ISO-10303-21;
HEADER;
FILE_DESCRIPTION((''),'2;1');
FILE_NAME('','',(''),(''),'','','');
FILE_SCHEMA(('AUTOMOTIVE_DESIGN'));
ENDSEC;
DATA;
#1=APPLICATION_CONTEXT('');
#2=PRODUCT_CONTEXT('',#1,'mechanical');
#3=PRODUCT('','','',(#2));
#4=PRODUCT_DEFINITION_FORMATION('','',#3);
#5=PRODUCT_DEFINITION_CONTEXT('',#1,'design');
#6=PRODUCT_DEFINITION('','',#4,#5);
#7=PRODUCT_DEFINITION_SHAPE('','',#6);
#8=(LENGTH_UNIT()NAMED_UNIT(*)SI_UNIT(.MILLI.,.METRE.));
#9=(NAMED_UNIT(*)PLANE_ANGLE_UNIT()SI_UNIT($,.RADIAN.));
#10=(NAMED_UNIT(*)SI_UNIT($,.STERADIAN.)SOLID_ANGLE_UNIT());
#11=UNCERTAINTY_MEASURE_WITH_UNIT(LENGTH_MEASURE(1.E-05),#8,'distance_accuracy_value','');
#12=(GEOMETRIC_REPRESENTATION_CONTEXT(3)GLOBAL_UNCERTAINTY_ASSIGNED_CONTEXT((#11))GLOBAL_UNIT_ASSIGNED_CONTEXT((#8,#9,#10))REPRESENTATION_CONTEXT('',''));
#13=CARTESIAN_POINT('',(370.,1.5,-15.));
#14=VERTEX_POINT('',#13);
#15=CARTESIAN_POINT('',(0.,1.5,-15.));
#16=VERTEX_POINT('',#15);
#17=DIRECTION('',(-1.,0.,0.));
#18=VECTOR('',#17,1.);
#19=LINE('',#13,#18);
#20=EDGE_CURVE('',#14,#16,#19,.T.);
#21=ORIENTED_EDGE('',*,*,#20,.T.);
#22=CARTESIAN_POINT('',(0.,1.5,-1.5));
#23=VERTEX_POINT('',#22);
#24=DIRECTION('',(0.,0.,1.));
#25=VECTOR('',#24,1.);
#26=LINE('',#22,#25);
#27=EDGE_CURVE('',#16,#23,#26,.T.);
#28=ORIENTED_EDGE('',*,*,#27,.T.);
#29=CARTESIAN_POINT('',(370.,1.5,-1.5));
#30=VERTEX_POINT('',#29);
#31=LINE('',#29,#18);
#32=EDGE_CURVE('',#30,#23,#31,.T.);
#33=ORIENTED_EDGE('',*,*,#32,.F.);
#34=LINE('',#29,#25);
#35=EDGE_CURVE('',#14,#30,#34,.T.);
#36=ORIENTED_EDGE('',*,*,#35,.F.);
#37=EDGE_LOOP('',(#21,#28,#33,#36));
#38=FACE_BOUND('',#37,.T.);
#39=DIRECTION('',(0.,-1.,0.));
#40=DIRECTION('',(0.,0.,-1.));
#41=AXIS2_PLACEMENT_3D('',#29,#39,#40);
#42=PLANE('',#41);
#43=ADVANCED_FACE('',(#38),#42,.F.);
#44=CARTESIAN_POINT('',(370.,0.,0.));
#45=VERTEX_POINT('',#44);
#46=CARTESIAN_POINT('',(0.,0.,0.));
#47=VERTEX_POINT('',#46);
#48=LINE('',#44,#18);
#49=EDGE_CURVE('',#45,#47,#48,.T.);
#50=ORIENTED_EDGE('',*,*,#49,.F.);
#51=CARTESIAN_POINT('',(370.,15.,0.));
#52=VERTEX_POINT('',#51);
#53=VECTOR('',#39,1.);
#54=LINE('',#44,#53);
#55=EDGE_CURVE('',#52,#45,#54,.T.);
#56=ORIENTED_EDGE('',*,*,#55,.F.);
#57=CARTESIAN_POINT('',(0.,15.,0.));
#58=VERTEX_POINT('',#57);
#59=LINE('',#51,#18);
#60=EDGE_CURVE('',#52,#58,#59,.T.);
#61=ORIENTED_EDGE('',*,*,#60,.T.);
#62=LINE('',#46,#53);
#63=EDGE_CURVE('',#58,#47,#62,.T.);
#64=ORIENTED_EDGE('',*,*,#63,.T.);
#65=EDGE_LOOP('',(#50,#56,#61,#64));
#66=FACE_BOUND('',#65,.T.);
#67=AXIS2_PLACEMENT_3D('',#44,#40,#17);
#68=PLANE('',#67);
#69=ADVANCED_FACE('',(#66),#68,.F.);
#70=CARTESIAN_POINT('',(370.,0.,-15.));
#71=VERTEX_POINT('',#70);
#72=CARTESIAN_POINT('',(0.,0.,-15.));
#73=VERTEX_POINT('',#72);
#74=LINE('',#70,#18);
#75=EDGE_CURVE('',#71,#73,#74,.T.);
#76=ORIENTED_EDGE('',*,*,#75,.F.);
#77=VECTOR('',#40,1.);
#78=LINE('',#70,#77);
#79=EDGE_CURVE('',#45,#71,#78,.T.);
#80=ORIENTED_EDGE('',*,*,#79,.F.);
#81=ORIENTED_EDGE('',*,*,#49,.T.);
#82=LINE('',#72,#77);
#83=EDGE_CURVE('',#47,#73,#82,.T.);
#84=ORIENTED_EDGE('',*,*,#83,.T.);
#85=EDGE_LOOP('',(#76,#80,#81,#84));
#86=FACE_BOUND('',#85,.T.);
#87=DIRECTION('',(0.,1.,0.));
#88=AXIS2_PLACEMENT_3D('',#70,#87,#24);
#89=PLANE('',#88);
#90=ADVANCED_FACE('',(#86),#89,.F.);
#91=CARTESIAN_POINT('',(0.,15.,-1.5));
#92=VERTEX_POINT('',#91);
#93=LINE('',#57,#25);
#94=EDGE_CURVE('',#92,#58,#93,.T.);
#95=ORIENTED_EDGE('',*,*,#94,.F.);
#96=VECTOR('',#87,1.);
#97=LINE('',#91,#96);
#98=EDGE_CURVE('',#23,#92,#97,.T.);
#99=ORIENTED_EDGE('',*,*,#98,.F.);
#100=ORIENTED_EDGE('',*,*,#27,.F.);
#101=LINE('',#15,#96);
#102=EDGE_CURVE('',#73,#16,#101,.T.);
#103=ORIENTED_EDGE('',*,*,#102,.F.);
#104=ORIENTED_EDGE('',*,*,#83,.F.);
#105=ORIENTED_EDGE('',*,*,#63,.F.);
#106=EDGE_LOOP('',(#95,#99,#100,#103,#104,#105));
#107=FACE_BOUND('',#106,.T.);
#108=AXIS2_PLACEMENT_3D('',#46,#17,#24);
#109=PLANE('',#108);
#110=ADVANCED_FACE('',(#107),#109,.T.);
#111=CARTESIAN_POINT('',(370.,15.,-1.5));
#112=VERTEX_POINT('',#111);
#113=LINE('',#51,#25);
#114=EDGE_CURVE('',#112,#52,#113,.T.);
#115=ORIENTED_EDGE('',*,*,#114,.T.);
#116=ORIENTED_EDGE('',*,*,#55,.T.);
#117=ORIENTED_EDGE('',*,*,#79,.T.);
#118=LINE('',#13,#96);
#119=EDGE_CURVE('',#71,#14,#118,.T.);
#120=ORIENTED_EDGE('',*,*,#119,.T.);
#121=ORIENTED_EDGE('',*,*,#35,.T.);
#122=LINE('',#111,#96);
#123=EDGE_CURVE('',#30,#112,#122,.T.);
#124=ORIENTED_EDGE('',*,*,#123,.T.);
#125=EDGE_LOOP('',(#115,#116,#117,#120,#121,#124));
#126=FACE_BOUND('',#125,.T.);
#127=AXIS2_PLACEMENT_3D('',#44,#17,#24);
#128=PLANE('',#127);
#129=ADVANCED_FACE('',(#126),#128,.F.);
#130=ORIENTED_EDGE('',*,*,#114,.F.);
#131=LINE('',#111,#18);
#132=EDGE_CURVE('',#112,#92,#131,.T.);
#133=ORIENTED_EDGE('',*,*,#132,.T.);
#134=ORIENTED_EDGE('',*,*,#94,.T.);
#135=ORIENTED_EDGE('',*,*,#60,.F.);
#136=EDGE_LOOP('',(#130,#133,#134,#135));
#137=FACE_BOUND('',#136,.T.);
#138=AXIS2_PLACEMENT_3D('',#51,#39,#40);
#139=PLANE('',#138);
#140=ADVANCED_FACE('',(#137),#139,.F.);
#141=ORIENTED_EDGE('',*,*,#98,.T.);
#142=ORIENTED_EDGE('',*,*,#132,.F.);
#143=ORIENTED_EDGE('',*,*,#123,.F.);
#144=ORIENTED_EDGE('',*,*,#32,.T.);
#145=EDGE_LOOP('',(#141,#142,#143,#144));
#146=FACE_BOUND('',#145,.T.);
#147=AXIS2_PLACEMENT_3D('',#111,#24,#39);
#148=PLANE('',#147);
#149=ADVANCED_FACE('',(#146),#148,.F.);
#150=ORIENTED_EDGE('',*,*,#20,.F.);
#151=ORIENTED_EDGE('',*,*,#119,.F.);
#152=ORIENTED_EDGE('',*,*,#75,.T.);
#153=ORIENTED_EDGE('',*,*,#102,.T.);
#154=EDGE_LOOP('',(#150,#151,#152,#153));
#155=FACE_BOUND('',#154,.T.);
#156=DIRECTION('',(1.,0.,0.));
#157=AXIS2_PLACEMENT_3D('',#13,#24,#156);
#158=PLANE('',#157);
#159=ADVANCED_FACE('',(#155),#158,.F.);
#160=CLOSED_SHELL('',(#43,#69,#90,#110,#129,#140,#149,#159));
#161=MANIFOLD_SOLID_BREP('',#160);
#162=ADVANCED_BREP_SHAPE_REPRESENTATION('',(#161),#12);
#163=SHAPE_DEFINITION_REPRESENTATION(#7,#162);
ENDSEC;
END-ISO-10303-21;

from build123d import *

# Parameters (mm, degrees)
EXTRUDE_1_DEPTH = 370


with BuildPart() as part:
    # Эскиз1 → Бобышка-Вытянуть1 (new body)
    with BuildSketch(Plane(origin=(0, 0, 0), x_dir=(0, 0, -1), z_dir=(1, 0, 0))):
        Polygon((0, 0), (0, 15), (1.5, 15), (1.5, 1.5), (15, 1.5), (15, 0), align=None)
    extrude(amount=EXTRUDE_1_DEPTH)


solid = part.part
